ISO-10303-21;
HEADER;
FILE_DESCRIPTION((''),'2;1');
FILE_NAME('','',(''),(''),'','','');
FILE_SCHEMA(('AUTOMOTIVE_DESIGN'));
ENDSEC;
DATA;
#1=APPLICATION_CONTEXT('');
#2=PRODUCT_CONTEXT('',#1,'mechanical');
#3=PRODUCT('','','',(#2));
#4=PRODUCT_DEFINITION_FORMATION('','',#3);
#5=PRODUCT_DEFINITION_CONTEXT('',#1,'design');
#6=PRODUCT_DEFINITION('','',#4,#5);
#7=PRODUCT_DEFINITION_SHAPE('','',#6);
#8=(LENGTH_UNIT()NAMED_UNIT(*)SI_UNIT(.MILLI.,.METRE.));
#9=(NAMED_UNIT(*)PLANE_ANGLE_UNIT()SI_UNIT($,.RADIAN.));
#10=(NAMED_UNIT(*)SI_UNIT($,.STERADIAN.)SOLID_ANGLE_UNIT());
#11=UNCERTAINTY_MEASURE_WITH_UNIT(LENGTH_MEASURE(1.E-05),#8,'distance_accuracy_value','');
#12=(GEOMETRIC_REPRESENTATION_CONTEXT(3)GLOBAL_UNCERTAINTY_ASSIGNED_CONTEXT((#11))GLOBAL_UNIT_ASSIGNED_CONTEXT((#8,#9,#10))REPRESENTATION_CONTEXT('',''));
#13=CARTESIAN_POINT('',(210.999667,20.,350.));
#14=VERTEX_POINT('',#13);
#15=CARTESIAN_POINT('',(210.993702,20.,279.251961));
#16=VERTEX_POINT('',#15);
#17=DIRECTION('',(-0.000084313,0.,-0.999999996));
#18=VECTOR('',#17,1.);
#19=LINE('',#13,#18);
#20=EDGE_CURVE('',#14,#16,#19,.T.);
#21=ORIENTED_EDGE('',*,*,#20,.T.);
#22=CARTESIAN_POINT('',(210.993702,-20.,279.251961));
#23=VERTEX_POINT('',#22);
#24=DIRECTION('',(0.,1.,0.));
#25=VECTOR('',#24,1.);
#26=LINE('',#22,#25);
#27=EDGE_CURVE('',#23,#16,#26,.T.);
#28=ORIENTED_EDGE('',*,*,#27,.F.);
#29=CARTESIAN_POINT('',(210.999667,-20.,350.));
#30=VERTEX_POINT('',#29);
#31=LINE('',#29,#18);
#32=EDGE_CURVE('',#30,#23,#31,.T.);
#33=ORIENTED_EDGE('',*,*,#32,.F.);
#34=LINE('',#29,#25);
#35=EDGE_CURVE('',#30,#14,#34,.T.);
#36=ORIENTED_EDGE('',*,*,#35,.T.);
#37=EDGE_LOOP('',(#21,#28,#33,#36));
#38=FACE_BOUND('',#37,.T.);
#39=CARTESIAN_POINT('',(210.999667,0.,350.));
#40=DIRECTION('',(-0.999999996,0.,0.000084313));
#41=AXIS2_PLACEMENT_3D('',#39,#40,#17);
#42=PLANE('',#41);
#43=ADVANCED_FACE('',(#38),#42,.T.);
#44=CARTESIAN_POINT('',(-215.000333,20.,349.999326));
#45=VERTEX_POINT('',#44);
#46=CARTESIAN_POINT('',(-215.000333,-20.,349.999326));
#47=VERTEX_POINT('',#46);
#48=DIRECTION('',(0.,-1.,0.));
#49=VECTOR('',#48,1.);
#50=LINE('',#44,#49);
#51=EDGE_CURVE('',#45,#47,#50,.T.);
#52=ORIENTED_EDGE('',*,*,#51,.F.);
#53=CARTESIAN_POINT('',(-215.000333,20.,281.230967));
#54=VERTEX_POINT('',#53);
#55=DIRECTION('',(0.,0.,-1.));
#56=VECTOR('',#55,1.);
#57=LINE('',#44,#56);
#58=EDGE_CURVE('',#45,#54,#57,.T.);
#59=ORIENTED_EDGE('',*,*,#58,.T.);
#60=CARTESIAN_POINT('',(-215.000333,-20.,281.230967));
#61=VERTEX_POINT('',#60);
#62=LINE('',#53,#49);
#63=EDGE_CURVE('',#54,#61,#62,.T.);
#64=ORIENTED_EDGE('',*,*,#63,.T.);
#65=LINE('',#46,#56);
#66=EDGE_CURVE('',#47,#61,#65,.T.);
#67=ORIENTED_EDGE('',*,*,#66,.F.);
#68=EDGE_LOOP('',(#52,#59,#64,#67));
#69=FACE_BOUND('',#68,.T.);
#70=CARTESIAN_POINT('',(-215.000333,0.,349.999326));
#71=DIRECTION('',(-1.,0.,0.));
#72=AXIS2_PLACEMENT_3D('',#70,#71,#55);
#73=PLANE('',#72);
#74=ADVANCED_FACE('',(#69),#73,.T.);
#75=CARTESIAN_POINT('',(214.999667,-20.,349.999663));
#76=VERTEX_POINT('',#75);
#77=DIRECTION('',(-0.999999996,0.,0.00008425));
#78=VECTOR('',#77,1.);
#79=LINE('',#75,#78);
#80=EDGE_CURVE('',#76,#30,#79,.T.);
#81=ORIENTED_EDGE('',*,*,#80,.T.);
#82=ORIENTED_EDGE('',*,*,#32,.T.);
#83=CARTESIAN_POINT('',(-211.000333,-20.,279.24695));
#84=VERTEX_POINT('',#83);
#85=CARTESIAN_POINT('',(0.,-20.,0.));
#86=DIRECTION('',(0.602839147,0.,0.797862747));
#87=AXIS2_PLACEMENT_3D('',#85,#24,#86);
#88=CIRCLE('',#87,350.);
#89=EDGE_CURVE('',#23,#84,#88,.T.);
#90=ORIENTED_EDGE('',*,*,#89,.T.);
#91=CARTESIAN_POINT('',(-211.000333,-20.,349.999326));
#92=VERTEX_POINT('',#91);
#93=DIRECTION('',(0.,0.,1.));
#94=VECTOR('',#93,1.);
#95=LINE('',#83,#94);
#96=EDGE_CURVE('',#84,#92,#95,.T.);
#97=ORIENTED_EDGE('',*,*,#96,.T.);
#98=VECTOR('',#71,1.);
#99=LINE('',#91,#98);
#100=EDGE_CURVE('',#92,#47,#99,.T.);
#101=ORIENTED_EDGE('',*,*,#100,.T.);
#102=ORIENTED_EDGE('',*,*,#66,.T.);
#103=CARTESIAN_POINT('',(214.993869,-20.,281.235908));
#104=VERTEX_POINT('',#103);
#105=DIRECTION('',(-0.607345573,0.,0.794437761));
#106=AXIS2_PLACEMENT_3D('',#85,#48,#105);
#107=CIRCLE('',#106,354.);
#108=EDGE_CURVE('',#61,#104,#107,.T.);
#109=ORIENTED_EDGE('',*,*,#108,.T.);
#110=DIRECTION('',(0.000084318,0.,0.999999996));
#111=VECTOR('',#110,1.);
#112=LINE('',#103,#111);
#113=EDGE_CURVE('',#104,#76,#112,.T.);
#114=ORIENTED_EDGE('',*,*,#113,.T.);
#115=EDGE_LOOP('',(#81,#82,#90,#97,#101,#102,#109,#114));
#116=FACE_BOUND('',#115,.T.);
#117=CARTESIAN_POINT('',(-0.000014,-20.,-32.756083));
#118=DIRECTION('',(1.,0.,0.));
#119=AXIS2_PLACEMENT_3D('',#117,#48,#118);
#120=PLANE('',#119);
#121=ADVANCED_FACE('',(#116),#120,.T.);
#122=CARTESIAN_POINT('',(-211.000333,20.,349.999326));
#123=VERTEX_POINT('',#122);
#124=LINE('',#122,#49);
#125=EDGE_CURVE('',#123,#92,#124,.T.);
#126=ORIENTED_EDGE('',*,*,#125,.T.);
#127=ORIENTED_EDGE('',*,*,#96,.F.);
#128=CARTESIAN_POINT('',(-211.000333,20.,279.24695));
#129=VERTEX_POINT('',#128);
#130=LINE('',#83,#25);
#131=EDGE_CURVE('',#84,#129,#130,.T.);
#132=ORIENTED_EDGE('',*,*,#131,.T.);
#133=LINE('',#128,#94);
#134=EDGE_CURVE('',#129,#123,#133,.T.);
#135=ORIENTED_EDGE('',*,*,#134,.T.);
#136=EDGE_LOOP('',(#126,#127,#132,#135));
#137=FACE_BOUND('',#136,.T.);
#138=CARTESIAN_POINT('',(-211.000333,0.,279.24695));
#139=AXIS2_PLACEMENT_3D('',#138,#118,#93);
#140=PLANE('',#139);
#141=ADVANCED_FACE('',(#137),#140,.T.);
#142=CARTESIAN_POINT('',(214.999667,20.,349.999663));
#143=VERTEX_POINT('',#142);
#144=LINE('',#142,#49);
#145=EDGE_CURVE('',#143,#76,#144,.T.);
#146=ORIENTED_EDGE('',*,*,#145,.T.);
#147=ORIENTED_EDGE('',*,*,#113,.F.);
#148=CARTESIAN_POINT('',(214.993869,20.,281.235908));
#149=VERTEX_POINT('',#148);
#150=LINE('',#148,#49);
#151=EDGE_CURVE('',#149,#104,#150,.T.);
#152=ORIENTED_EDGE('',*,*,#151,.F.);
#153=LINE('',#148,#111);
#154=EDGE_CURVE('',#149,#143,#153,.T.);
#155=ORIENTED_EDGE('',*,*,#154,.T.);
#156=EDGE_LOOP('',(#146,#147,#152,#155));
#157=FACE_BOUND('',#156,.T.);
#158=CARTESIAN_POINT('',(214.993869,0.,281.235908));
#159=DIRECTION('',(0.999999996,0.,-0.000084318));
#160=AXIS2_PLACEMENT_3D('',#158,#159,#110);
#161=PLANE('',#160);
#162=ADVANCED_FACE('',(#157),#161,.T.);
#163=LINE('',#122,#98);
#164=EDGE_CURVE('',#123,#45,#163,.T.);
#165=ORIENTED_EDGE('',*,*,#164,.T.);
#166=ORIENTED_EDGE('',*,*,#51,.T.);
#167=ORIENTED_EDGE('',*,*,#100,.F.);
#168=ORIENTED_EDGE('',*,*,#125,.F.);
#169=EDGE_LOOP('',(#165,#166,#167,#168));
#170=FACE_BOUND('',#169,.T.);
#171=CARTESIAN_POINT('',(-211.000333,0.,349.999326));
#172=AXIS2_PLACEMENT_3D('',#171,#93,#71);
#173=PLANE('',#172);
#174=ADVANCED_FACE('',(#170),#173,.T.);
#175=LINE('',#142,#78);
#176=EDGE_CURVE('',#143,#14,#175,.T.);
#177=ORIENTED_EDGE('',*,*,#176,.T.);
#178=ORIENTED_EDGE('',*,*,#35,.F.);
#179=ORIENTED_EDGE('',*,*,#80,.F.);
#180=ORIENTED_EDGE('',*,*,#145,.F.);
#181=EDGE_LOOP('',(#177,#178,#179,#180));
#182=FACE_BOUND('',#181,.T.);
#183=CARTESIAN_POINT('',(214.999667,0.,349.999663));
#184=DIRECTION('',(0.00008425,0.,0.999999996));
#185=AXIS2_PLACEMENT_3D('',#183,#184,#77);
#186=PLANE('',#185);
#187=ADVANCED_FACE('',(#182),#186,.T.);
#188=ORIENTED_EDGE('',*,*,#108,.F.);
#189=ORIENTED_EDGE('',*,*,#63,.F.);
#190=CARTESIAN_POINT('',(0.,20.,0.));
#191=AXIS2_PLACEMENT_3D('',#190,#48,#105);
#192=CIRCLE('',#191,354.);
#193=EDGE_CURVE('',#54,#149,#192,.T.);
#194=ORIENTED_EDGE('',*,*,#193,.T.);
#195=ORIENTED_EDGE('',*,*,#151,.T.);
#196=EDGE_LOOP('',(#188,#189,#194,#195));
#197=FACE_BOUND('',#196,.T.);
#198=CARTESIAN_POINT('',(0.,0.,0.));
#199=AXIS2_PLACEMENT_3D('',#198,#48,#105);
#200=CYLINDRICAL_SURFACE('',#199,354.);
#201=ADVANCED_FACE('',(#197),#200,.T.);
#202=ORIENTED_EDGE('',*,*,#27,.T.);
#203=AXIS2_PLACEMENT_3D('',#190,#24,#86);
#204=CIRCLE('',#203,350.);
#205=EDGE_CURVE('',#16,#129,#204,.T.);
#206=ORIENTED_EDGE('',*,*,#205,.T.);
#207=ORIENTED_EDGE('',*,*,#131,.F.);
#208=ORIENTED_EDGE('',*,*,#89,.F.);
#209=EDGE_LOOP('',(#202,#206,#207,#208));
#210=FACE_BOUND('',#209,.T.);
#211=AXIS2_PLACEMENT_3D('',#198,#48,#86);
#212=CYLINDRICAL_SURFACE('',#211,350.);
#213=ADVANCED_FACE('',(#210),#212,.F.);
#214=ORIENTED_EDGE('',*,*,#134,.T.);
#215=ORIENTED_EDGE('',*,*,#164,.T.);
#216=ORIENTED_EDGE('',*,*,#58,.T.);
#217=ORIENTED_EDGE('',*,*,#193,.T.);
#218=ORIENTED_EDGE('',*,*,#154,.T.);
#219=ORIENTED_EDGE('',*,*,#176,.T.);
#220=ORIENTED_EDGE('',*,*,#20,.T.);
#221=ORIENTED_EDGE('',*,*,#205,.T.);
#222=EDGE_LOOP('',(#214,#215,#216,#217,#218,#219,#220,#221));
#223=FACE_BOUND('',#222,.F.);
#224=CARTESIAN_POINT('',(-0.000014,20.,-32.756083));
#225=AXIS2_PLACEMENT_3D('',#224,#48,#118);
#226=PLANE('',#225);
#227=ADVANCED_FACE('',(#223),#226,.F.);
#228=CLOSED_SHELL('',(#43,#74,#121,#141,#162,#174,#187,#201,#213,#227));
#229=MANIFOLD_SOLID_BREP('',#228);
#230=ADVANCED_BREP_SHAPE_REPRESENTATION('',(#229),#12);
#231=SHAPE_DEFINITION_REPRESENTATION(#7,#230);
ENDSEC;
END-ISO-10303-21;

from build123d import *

# Parameters (mm, degrees)
F1_DEPTH = 20


with BuildPart() as f1:
    # F0 (on Front) → F1 (new body, symmetric)
    with BuildSketch(Plane.XZ):
        with BuildLine():
            Line((-211.000333, 279.24695), (-211.000333, 349.999326))
            Line((-211.000333, 349.999326), (-215.000333, 349.999326))
            Line((-215.000333, 349.999326), (-215.000333, 281.230967))
            ThreePointArc((-215.000333, 281.230967), (0.004068, -354), (214.993869, 281.235908))
            Line((214.993869, 281.235908), (214.999667, 349.999663))
            Line((214.999667, 349.999663), (210.999667, 350))
            Line((210.999667, 350), (210.993702, 279.251961))
            ThreePointArc((210.993702, 279.251961), (0.004156, -350), (-211.000333, 279.24695))
        make_face()
    extrude(amount=F1_DEPTH, both=True)


solid = f1.part
